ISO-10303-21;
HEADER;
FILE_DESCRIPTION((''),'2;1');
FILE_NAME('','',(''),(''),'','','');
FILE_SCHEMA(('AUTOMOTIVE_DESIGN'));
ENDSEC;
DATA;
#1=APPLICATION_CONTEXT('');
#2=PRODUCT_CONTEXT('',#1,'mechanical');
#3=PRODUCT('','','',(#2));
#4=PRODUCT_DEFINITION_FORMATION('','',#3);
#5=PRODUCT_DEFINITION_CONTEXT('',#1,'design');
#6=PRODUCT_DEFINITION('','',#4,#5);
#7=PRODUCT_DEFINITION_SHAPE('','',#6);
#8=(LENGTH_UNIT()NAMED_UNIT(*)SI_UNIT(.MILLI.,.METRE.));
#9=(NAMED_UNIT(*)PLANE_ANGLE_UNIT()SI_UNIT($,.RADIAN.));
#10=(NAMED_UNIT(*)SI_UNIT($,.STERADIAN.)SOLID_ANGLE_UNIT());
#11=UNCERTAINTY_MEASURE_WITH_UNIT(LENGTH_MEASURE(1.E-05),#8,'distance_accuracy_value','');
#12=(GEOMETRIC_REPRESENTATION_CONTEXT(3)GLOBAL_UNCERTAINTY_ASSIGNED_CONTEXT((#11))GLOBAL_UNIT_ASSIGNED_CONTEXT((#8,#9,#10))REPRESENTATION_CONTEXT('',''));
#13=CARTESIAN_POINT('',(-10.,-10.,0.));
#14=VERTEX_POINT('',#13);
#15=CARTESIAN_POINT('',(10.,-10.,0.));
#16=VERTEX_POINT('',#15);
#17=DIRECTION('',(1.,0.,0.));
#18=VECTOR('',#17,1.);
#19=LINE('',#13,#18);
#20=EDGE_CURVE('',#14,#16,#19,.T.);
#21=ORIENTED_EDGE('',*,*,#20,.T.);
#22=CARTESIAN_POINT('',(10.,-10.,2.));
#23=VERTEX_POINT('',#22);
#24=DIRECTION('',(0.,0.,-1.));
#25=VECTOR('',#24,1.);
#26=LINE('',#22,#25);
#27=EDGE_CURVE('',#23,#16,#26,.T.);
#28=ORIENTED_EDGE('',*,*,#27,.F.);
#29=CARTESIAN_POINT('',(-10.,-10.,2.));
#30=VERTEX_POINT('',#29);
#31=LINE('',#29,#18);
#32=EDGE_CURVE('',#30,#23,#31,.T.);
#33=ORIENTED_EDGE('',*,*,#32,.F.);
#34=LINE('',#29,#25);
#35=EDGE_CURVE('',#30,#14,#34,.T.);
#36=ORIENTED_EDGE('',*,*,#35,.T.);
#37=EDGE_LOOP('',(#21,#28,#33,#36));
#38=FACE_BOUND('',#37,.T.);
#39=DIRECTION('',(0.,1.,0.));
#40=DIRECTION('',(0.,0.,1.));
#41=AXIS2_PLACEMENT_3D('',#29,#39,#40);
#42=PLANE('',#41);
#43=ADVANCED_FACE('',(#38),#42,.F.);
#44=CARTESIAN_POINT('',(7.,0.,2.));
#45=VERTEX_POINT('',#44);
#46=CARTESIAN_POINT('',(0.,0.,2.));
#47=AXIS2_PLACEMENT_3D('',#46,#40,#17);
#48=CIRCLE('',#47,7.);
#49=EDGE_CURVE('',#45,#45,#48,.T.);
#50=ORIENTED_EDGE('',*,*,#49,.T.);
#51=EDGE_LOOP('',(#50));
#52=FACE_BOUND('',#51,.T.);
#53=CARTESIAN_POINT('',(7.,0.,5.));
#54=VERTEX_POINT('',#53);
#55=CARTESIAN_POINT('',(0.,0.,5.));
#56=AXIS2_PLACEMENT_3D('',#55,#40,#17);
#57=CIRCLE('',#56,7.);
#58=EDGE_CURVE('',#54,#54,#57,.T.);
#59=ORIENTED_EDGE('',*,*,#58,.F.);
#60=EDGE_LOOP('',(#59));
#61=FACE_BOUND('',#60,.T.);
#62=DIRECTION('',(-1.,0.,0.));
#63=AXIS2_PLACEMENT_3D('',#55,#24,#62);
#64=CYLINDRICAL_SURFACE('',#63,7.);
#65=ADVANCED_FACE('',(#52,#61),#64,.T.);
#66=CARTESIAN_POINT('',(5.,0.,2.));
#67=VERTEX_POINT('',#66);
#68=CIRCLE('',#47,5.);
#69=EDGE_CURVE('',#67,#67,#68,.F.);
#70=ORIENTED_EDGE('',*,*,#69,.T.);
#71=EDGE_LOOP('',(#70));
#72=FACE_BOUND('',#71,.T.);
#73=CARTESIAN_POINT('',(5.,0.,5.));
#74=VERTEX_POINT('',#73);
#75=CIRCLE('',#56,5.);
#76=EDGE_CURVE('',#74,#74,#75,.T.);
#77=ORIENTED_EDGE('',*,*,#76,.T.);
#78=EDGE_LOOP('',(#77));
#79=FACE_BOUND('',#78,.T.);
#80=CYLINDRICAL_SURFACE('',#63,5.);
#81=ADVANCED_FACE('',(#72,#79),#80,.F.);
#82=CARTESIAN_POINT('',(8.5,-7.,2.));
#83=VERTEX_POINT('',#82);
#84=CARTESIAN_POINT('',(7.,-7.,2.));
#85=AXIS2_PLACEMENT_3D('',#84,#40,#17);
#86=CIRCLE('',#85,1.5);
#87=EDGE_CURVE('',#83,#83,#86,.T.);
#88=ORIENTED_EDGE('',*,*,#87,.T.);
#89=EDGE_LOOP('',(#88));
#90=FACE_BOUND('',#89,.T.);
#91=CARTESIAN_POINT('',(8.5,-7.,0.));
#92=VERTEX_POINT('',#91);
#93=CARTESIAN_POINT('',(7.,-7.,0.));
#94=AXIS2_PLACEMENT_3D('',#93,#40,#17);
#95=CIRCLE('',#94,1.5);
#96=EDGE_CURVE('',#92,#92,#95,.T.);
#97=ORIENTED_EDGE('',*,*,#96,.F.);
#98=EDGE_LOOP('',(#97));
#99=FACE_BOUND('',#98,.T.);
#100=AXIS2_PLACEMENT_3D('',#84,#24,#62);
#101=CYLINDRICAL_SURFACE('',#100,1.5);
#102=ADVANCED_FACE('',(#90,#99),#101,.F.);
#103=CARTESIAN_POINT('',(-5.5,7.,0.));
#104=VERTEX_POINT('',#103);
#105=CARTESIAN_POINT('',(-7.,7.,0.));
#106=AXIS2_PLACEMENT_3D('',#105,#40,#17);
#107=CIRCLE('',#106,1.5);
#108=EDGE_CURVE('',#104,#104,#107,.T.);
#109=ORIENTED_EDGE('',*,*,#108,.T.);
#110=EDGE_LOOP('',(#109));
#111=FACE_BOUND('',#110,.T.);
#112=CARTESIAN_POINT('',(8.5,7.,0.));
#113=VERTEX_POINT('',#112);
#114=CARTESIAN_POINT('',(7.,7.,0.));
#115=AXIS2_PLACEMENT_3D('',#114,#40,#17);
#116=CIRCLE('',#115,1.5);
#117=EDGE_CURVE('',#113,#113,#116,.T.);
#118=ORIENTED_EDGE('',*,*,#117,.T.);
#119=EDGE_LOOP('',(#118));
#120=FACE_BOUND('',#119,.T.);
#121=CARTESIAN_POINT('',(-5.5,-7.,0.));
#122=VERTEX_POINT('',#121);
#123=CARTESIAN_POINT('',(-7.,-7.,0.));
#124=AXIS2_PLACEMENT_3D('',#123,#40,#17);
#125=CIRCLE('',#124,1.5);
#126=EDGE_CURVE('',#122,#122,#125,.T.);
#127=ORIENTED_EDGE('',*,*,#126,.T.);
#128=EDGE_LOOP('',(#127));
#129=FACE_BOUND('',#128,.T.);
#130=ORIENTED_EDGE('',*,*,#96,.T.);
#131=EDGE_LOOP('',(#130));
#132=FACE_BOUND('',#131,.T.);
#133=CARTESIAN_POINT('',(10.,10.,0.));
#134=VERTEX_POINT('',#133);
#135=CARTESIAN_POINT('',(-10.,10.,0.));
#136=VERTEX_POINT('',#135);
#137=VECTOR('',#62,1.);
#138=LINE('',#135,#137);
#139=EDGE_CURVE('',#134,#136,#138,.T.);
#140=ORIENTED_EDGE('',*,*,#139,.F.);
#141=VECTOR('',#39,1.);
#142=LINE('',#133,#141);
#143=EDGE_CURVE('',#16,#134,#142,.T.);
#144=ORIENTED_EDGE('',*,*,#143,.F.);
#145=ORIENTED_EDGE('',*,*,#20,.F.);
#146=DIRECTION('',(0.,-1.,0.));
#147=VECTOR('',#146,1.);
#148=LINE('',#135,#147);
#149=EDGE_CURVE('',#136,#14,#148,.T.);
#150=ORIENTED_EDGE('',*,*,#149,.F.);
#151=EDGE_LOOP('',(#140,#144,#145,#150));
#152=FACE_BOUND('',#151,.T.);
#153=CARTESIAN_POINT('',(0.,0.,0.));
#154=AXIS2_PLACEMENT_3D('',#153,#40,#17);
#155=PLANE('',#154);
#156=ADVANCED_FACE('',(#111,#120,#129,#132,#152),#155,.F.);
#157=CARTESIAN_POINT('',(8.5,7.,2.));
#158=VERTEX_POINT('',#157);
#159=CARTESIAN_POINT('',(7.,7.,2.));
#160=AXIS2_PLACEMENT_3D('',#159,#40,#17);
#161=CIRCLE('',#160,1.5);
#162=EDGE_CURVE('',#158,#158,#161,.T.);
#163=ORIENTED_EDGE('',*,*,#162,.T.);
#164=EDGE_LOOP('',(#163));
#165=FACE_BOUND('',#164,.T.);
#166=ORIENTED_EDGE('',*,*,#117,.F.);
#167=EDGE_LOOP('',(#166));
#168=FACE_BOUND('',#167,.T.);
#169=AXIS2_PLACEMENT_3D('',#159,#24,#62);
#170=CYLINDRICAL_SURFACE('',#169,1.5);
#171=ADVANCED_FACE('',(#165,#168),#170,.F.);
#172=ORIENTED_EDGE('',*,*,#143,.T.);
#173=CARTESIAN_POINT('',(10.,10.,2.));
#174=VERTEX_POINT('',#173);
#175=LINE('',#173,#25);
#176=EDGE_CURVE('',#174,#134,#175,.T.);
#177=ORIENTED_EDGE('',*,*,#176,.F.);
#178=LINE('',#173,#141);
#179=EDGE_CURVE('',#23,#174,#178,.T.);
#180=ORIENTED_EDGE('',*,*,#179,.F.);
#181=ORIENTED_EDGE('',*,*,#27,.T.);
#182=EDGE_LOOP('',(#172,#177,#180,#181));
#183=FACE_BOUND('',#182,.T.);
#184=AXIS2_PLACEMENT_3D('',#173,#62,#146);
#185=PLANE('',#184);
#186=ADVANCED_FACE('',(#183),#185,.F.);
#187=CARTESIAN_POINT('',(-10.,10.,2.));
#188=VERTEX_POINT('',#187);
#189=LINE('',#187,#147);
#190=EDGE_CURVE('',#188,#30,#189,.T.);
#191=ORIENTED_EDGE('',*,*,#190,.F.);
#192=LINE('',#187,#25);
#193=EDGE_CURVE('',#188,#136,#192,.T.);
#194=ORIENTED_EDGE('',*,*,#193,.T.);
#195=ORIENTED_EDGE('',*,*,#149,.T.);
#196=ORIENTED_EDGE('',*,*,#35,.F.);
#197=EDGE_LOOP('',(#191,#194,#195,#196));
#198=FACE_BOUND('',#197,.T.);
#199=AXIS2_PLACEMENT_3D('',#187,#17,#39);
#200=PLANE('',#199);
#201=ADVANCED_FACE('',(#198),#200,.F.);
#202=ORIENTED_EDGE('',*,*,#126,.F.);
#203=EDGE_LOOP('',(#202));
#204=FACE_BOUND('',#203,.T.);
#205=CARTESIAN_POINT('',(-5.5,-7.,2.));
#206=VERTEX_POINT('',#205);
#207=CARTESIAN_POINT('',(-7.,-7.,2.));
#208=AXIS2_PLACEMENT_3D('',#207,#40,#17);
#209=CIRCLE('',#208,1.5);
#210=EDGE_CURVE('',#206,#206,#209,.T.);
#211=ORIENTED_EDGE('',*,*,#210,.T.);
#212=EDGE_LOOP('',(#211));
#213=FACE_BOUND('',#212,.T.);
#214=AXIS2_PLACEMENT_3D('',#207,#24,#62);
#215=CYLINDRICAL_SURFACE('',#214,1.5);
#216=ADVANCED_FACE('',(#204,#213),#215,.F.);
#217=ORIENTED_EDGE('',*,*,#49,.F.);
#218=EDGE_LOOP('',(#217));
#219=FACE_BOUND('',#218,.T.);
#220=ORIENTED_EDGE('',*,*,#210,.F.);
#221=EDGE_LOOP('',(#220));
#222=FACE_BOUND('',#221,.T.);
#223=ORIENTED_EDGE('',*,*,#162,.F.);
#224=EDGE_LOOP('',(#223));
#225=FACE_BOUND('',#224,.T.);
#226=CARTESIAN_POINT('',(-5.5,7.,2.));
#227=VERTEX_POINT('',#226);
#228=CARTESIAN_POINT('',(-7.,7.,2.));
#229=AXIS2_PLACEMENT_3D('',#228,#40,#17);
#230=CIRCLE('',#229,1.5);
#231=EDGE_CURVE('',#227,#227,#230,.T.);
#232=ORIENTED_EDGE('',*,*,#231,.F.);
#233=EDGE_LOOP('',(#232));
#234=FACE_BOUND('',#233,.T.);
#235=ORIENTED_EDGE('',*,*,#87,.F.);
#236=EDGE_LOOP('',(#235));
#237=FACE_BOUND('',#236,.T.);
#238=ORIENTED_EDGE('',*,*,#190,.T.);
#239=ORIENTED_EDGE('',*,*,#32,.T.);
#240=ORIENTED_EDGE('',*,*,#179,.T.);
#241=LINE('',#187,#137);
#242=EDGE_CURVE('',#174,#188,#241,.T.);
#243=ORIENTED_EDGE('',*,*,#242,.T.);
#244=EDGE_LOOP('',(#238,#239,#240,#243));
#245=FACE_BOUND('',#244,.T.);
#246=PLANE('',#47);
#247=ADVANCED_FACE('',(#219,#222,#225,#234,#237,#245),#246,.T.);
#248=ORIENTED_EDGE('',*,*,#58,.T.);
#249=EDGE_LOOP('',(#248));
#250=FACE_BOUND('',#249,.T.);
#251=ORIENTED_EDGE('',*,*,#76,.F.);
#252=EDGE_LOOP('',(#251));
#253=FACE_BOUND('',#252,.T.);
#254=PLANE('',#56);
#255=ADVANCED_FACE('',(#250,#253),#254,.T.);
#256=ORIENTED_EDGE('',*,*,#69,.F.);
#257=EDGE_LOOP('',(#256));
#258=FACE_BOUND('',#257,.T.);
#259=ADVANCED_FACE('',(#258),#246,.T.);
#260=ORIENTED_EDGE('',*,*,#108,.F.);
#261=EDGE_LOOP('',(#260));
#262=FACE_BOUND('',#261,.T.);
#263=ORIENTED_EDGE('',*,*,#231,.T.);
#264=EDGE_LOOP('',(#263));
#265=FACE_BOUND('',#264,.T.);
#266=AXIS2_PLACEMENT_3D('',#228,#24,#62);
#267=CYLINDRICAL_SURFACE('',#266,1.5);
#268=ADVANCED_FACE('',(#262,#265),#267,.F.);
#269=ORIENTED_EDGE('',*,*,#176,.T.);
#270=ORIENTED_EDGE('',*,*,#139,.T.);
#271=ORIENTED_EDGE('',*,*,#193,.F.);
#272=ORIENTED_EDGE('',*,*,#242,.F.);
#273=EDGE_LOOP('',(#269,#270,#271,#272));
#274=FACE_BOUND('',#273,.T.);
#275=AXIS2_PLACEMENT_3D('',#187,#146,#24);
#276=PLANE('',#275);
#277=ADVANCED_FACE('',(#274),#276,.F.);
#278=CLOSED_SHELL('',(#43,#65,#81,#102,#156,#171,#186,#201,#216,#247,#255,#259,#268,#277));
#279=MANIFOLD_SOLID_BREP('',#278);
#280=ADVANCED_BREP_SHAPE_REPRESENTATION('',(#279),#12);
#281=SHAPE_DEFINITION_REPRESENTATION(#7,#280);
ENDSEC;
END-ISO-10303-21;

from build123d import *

# Parameters (mm, degrees)
SKETCH_1_W      = 20
SKETCH_1_H      = 20
SKETCH_1_R      = 1.5
EXTRUDE_1_DEPTH = 2
SKETCH_2_R      = 7
SKETCH_2_R_2    = 5
EXTRUDE_2_DEPTH = 3


with BuildPart() as part:
    # 草图1 → 凸台-拉伸1 (new body)
    with BuildSketch(Plane.XY):
        Rectangle(SKETCH_1_W, SKETCH_1_H)
        with Locations((-7, 7)):
            Circle(SKETCH_1_R, mode=Mode.SUBTRACT)
        with Locations((7, 7)):
            Circle(SKETCH_1_R, mode=Mode.SUBTRACT)
        with Locations((7, -7)):
            Circle(SKETCH_1_R, mode=Mode.SUBTRACT)
        with Locations((-7, -7)):
            Circle(SKETCH_1_R, mode=Mode.SUBTRACT)
    extrude(amount=EXTRUDE_1_DEPTH)

    # 草图2 → 凸台-拉伸2 (add)
    with BuildSketch(Plane.XY.offset(2)):
        Circle(SKETCH_2_R)
        Circle(SKETCH_2_R_2, mode=Mode.SUBTRACT)
    extrude(amount=EXTRUDE_2_DEPTH)


solid = part.part
